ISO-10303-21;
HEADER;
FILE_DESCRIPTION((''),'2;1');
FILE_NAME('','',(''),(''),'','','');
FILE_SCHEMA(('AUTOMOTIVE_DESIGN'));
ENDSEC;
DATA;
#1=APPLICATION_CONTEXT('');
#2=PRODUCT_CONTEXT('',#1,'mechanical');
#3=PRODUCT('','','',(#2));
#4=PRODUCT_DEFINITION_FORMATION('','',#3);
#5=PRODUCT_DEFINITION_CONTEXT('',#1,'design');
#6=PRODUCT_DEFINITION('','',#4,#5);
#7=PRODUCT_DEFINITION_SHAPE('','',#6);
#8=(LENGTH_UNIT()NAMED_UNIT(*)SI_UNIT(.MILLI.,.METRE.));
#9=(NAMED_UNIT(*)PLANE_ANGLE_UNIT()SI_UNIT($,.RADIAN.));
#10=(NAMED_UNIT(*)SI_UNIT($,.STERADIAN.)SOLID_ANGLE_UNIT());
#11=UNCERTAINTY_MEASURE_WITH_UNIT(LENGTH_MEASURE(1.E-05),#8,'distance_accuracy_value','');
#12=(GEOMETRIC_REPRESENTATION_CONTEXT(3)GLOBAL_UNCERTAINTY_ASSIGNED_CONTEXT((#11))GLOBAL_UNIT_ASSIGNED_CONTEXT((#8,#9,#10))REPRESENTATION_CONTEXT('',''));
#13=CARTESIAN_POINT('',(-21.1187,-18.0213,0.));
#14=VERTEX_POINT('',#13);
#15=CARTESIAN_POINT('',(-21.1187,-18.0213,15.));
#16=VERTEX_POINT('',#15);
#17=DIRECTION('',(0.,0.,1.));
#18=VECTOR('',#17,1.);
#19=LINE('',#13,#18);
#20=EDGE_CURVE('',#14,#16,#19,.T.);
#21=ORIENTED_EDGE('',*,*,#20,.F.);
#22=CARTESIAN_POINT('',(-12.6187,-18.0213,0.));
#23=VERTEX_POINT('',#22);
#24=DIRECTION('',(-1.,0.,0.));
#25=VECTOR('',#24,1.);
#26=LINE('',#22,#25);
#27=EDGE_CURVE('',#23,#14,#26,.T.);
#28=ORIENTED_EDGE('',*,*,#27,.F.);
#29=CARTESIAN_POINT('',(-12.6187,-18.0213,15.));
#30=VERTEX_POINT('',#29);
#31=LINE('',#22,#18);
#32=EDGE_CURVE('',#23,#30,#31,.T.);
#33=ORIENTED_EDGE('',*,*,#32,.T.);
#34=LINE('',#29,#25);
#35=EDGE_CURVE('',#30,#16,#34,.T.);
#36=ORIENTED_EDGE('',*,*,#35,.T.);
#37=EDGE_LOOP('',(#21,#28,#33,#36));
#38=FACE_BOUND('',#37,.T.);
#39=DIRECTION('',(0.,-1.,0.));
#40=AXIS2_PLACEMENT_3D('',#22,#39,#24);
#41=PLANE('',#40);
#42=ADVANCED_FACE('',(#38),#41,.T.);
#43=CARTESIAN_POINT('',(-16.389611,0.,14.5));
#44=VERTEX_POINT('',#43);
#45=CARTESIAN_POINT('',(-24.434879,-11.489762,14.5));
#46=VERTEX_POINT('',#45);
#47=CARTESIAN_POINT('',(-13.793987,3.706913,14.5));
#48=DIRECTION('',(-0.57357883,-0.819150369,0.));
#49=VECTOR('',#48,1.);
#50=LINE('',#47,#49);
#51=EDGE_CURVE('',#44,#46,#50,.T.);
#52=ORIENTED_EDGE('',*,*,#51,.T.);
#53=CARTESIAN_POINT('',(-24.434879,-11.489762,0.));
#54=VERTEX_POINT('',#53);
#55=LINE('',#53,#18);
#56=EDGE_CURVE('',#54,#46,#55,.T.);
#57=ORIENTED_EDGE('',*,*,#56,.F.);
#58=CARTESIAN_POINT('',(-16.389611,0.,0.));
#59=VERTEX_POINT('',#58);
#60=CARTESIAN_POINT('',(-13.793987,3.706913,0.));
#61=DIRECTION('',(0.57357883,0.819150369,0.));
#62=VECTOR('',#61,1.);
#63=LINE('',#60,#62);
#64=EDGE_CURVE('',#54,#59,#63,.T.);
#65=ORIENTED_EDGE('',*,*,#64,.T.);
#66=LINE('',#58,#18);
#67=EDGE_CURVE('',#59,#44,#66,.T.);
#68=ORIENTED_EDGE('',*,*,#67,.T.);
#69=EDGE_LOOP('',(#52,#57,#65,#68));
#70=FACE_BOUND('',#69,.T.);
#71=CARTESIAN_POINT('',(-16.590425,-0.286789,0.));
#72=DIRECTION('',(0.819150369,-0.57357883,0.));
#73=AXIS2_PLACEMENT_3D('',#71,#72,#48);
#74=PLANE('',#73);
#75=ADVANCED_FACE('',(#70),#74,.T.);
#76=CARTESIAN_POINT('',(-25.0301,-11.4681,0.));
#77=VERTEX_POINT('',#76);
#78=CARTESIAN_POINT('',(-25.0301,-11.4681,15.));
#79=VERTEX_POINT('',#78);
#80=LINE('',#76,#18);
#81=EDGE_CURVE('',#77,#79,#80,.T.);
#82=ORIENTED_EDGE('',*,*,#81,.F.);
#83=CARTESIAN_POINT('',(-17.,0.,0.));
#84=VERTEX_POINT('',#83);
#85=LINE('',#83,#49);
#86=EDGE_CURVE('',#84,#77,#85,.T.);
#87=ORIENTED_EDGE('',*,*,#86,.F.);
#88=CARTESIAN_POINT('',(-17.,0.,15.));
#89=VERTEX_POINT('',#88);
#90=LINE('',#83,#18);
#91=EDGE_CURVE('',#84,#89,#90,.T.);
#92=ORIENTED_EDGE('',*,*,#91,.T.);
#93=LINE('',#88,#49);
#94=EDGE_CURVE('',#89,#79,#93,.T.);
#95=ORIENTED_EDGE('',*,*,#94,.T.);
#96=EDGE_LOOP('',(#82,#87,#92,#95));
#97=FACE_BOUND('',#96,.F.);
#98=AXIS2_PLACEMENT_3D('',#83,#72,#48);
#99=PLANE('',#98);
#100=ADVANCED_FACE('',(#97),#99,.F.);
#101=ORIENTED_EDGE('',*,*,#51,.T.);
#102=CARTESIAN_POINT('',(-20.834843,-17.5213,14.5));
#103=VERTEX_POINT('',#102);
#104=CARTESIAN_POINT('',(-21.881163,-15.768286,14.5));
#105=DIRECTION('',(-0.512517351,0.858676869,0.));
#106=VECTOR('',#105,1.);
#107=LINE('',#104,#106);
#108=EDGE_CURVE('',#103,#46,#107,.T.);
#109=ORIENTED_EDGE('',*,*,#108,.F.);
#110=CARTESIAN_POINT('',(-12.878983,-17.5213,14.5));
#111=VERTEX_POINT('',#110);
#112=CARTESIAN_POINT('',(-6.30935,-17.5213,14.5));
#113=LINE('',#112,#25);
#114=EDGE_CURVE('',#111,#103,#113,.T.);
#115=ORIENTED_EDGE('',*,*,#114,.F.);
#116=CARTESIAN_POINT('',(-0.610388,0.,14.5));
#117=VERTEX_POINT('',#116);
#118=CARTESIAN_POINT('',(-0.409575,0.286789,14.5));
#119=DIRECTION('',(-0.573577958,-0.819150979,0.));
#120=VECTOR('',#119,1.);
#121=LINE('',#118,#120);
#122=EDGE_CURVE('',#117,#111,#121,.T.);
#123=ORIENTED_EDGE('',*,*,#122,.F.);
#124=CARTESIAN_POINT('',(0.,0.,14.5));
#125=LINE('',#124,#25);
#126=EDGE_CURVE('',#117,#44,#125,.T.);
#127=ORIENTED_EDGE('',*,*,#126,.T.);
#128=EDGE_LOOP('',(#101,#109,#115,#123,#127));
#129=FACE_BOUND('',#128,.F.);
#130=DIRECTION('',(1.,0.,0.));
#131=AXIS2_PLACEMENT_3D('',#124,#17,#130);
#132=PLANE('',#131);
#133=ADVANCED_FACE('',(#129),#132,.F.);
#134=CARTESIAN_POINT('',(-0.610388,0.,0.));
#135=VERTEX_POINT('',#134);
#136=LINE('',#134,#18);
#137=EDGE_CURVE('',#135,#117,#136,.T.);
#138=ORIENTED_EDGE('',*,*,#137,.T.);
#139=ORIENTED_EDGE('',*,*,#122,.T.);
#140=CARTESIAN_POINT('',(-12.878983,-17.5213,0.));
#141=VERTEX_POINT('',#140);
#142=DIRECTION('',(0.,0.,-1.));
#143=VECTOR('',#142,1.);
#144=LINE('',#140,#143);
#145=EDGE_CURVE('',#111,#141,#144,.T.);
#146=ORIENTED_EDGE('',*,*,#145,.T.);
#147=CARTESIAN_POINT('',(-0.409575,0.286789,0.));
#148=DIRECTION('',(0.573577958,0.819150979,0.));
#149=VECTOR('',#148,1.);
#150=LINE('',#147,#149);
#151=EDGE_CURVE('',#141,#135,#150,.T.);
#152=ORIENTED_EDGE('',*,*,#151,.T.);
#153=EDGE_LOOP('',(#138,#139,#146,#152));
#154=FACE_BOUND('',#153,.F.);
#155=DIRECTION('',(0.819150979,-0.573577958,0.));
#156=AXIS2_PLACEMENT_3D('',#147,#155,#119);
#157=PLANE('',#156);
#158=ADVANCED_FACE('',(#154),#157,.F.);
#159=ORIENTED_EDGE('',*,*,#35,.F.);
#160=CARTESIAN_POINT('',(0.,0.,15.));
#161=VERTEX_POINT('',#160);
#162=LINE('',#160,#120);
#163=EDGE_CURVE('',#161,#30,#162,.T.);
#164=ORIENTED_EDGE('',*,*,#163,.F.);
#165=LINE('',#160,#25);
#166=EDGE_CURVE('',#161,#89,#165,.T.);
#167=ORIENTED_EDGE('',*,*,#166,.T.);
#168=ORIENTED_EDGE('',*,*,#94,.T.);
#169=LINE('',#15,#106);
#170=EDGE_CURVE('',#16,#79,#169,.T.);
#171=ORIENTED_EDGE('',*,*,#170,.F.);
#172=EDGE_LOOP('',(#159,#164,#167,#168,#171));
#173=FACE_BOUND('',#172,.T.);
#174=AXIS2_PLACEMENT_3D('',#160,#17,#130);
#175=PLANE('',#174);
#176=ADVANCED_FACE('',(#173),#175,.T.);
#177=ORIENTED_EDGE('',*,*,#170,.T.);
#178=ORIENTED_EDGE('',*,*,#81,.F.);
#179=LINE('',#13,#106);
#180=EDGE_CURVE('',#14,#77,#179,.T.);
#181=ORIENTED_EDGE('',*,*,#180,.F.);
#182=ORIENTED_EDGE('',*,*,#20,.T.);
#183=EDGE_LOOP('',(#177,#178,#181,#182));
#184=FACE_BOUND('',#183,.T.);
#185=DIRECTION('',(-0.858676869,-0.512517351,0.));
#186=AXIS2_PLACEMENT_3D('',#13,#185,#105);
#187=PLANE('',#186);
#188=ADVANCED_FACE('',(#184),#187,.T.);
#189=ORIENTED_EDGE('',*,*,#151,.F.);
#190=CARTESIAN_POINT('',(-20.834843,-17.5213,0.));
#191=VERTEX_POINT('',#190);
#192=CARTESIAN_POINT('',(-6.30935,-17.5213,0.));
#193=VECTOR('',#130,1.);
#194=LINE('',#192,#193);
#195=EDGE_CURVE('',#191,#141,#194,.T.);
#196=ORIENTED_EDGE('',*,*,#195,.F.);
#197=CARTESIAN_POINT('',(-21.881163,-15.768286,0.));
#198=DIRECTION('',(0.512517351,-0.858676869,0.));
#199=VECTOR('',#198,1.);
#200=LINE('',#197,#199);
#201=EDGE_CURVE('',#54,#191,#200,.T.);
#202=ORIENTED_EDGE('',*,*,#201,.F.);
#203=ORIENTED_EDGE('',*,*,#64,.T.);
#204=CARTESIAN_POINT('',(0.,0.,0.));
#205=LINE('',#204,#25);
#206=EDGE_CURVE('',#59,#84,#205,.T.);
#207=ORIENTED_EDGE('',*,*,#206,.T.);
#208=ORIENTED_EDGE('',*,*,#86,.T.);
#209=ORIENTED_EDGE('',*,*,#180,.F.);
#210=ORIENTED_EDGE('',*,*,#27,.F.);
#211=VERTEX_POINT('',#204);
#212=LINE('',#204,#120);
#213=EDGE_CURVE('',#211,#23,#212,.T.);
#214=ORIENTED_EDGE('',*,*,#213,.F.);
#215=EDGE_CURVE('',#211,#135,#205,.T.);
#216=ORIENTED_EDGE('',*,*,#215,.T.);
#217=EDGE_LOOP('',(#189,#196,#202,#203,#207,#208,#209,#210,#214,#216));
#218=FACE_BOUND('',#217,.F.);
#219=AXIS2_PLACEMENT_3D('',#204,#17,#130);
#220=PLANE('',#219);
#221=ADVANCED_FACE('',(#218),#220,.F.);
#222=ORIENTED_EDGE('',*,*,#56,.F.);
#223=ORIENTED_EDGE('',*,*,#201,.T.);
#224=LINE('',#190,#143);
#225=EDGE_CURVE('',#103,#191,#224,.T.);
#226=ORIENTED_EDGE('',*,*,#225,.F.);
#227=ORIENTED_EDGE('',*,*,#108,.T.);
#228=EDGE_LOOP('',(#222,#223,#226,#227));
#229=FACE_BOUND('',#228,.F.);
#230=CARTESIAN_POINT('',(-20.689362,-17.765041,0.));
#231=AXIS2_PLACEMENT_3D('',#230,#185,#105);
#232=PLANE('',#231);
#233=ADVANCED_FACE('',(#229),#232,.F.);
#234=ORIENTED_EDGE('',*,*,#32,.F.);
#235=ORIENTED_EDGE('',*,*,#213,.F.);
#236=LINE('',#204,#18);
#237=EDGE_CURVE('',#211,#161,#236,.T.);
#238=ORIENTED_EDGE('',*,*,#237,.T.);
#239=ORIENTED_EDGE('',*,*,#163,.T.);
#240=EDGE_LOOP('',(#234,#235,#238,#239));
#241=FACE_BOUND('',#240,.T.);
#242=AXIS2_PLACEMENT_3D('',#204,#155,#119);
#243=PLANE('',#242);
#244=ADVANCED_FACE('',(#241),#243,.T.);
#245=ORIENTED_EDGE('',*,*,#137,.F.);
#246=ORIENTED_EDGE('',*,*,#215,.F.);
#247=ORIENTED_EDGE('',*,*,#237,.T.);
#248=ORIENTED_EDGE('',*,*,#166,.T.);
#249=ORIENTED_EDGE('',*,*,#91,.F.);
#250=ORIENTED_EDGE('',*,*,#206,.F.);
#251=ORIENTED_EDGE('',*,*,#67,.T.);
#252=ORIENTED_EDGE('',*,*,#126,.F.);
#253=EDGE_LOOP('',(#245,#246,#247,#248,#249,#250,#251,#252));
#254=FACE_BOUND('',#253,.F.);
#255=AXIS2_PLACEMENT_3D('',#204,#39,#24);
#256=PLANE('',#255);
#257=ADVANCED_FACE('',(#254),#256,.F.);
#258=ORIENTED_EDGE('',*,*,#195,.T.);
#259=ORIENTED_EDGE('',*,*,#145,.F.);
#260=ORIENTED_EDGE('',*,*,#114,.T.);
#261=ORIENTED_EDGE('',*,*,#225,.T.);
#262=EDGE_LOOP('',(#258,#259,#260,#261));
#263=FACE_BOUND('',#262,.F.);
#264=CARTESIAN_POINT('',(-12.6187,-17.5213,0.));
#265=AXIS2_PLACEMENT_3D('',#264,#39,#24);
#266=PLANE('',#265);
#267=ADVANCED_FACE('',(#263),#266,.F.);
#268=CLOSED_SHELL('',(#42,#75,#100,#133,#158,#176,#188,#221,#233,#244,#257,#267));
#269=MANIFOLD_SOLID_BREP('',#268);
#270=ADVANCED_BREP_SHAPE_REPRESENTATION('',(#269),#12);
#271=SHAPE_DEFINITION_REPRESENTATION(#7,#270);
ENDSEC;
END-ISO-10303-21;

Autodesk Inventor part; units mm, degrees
ref_plane "YZ Plane" through (0, 0, 0) normal (1, 0, 0) x (0, 1, 0)
ref_plane "XZ Plane" through (0, 0, 0) normal (0, 1, 0) x (-1, 0, 0)
ref_plane "XY Plane" through (0, 0, 0) normal (0, 0, 1) x (1, 0, 0)
sketch "Sketch1" plane through (0, 0, 0) normal (0, 0, 1) x (1, 0, 0)
  line L0 (0, 0) -> (-17, 0)
  line L1 (-17, 0) -> (-25.0301, -11.4681)
  line L2 (0, 0) -> (-12.6187, -18.0213)
  line L3 (0, 0) -> (22, 0) construction
  line L4 (-12.6187, -18.0213) -> (-21.1187, -18.0213)
  line L5 (-21.1187, -18.0213) -> (-25.0301, -11.4681)
  dimension "d40" = 17
  dimension "d41" = 14
  dimension "d42" = 125
  dimension "d43" = 22
  dimension "d44" = 125
  dimension "d45" = 8.5
extrude "Extrusion1" add sketch "Sketch1" along normal blind 15
shell "Shell1" thickness 0.5 removed faces 2 at (-5.6667, 0, 5) at (-9.8729, -6.0071, 0)
properties part number "metal_shielding"
